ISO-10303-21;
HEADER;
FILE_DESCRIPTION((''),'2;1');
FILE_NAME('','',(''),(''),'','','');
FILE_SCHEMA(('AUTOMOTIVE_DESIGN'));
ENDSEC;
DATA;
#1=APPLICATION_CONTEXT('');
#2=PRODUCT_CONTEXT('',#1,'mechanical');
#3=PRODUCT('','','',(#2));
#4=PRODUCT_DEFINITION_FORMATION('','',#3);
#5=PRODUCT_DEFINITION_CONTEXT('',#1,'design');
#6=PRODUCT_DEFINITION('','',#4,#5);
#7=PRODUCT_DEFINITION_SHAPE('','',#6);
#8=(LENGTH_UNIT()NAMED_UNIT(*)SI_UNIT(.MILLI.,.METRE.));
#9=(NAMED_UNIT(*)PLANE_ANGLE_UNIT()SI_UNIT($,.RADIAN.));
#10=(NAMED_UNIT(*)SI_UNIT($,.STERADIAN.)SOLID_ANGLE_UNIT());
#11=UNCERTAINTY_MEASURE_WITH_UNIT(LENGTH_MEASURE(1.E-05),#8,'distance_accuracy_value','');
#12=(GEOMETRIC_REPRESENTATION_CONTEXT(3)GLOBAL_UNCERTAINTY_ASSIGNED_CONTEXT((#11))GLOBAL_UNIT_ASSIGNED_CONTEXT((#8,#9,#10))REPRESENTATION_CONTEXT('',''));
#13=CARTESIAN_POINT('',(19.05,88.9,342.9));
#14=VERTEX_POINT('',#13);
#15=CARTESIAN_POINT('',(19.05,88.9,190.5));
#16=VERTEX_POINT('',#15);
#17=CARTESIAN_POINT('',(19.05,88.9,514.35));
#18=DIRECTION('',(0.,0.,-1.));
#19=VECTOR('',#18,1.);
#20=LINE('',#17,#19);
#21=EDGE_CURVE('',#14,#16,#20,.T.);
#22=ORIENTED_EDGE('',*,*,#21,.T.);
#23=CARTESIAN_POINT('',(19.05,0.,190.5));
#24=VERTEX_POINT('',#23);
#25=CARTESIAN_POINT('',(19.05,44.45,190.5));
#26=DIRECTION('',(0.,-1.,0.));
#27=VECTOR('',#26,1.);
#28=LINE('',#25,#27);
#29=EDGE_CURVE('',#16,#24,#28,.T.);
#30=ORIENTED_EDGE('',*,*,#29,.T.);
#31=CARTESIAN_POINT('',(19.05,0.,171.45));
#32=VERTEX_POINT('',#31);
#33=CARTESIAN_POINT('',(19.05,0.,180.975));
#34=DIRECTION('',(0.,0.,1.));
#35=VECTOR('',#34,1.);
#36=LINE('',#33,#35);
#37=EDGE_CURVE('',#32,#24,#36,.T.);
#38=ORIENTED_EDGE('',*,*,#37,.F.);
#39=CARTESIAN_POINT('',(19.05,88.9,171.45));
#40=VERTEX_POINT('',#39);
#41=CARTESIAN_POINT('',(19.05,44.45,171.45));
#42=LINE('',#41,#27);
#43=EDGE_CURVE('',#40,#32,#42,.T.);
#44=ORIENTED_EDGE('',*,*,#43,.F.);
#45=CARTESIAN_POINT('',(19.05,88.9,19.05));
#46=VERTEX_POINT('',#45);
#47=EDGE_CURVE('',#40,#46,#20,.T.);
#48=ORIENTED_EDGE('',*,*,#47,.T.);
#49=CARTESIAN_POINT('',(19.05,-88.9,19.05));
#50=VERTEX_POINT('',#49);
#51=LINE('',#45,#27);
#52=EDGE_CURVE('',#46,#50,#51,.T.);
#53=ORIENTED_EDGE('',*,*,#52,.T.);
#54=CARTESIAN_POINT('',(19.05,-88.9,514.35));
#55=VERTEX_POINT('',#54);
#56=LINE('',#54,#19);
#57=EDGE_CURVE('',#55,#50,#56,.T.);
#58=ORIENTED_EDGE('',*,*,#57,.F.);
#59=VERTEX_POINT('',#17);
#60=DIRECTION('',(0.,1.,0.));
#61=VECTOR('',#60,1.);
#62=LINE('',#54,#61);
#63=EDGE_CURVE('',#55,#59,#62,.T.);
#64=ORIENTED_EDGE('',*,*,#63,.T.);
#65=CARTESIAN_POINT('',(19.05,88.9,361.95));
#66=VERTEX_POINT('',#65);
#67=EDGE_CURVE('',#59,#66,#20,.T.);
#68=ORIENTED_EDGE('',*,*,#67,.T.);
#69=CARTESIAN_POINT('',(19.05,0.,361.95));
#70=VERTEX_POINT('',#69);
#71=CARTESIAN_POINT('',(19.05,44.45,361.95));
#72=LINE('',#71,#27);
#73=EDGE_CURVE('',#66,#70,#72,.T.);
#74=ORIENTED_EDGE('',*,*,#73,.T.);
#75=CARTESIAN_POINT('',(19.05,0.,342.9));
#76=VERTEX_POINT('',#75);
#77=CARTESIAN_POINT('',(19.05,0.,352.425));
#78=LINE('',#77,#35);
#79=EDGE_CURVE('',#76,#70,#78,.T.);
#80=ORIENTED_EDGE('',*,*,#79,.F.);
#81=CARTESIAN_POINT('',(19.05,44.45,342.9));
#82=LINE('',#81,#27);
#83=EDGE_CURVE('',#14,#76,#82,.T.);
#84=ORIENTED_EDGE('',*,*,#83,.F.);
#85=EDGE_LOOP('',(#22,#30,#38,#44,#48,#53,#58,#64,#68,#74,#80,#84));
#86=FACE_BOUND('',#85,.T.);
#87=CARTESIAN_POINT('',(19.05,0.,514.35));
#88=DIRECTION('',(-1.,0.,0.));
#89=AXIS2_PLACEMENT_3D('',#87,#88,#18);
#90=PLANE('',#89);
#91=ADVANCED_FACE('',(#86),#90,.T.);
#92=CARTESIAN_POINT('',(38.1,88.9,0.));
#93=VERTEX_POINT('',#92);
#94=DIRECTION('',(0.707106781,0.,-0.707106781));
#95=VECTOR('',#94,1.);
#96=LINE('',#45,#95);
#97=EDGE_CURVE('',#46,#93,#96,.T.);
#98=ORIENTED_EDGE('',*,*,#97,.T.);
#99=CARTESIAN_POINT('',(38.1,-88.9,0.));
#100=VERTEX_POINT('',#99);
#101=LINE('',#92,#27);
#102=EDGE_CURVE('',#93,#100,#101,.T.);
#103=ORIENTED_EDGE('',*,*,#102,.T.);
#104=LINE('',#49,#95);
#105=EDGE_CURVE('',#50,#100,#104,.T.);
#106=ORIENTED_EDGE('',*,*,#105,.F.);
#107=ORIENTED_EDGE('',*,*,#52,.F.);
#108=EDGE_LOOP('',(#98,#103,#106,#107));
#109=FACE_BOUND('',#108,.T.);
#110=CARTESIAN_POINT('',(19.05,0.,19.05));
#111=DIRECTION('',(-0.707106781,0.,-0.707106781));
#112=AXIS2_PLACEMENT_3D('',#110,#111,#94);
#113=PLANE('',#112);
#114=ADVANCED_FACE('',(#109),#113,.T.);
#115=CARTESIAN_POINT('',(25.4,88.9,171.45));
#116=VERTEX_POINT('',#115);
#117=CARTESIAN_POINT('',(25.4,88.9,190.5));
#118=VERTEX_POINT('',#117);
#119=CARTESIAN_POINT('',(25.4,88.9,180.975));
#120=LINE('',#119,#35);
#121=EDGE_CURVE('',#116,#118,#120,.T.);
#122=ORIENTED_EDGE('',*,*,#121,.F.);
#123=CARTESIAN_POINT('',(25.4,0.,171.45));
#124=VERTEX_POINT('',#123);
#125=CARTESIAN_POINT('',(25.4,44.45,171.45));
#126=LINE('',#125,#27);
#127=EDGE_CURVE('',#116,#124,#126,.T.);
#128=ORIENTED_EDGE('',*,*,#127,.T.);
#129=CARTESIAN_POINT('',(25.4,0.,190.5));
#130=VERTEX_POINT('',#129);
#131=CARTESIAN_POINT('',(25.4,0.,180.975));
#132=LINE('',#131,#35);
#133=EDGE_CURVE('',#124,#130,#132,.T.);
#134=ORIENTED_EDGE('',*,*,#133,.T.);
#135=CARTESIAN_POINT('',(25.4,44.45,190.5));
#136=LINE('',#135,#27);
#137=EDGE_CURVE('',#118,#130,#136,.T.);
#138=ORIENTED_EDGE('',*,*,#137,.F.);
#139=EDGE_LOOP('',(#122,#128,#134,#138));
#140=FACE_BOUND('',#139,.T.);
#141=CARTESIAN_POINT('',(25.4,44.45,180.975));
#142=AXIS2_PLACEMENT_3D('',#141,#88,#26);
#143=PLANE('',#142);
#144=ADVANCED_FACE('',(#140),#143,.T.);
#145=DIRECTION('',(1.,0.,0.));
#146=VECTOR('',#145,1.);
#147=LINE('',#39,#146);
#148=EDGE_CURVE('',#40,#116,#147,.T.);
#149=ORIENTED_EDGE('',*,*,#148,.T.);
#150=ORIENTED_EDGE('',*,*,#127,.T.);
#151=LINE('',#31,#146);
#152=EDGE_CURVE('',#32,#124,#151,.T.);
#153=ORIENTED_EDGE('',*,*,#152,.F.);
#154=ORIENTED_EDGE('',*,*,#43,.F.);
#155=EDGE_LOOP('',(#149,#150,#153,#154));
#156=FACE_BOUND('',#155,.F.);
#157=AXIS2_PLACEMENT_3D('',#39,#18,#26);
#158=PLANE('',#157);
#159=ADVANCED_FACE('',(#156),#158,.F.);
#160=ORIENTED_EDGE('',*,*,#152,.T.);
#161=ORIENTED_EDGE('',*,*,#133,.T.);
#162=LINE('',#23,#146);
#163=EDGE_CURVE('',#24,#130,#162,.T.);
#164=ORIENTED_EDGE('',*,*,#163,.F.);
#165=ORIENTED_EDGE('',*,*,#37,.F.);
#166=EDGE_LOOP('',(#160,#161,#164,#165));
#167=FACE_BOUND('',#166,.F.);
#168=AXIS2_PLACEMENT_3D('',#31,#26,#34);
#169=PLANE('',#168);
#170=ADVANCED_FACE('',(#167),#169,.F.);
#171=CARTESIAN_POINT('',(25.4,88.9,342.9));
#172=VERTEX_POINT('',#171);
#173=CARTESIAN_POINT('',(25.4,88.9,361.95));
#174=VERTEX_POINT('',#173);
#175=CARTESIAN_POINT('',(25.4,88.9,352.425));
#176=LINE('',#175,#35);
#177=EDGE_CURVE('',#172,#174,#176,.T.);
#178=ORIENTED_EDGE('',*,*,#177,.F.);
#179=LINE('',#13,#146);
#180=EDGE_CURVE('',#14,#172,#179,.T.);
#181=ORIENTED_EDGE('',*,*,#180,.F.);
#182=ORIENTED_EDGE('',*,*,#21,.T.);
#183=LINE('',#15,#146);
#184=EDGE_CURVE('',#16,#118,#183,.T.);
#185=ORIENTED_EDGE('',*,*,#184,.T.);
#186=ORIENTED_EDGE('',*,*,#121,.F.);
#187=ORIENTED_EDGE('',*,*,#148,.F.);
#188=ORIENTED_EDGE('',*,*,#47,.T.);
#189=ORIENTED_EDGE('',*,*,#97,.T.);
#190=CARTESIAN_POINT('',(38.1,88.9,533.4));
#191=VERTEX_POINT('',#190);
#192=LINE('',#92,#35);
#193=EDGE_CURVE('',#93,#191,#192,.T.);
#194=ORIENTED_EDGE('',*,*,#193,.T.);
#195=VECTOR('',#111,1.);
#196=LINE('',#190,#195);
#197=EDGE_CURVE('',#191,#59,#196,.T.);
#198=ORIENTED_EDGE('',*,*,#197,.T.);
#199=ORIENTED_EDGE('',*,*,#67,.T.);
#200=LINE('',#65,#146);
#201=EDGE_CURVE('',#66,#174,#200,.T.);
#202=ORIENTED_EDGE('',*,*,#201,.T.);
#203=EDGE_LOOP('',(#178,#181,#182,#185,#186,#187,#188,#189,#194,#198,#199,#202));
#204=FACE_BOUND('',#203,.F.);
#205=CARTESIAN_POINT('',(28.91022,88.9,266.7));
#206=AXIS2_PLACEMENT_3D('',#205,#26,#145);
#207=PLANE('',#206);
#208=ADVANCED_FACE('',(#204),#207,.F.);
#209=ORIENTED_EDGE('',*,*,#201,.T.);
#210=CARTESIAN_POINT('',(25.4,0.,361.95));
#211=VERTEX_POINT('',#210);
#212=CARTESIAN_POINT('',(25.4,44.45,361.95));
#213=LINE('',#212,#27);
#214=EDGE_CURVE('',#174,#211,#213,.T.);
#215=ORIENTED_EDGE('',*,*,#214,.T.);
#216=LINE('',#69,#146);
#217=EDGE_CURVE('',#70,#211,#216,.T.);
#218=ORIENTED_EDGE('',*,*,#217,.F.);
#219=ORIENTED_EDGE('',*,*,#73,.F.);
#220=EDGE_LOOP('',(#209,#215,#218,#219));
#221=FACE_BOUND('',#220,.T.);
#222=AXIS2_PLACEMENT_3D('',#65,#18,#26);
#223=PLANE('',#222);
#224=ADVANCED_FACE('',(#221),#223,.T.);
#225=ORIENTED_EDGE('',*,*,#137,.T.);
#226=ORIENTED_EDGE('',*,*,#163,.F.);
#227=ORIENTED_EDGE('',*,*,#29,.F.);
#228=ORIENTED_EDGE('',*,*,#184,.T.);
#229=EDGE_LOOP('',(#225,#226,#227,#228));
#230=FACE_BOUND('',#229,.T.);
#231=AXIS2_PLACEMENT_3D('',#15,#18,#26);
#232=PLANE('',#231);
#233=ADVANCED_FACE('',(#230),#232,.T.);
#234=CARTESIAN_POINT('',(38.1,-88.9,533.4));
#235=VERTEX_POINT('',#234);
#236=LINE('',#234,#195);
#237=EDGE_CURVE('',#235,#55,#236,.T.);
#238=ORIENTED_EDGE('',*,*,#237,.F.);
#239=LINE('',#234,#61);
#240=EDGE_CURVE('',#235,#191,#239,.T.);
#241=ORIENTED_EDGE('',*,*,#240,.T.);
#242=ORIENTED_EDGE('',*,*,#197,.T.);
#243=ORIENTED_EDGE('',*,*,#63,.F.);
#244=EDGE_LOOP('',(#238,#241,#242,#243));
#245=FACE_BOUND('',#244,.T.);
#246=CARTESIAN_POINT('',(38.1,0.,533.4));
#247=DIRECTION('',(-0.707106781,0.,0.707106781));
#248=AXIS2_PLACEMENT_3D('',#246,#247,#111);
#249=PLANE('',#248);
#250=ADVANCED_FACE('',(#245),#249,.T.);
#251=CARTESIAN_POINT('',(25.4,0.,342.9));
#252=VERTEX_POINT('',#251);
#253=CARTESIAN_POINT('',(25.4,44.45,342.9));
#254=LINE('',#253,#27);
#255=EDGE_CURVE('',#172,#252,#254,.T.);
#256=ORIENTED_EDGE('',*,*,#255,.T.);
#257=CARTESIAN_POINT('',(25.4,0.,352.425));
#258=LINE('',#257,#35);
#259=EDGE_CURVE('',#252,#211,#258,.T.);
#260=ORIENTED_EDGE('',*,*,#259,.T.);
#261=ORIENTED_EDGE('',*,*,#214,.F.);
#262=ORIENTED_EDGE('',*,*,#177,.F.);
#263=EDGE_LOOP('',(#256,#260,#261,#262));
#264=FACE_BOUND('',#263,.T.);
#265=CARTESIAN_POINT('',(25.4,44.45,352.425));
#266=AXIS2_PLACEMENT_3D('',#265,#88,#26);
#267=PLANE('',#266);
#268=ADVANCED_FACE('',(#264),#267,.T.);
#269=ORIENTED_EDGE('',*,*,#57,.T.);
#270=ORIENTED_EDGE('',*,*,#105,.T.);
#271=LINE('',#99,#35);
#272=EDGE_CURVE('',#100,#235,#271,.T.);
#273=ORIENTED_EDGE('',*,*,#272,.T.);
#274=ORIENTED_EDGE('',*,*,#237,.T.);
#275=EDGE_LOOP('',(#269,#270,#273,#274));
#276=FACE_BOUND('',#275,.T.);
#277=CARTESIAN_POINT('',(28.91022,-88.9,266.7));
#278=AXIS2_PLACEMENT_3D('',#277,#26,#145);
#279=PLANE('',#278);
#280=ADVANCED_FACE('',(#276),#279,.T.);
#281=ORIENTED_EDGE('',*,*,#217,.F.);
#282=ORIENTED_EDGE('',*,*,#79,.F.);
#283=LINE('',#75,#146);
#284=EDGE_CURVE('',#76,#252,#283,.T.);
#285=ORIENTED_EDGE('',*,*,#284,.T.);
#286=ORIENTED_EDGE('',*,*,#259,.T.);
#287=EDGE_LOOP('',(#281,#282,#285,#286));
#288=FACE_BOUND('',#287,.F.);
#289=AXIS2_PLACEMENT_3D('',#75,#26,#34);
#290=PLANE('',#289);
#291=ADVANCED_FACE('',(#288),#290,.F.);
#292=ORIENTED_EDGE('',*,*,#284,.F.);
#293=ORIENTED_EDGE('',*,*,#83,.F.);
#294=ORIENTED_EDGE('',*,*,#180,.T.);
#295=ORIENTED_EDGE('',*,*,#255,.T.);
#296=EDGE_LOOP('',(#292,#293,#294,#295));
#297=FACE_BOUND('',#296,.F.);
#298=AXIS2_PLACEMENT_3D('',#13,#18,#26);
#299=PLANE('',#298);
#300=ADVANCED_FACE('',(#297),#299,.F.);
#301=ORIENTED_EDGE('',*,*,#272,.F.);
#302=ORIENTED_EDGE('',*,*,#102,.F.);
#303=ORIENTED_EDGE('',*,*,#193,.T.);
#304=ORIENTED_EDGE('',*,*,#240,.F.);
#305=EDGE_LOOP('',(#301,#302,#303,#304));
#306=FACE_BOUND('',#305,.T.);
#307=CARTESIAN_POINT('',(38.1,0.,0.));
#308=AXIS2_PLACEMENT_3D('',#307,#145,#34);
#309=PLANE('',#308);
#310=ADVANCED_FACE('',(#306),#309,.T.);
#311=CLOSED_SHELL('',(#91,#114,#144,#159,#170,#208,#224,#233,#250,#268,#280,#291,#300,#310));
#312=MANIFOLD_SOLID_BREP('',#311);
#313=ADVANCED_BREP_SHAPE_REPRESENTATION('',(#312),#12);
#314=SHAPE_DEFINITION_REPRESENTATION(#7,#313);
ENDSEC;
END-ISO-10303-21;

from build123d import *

# Parameters (mm, degrees)
F1_DEPTH = 88.9
F2_W     = 88.9
F2_H     = 19.05
F3_DEPTH = 6.35


with BuildPart() as f1:
    # F0 (on Front) → F1 (new body, symmetric)
    with BuildSketch(Plane.XZ):
        Polygon((19.05, 514.35), (19.05, 19.05), (38.1, 0), (38.1, 533.4), align=None)
    extrude(amount=F1_DEPTH, both=True)

    # F2 (on face) → F3 (cut)
    with BuildSketch(Plane(origin=(19.05, 0, 0), x_dir=(0, -1, 0), z_dir=(-1, 0, 0))):
        with Locations((-44.45, 180.975)):
            Rectangle(F2_W, F2_H)
        with Locations((-44.45, 352.425)):
            Rectangle(F2_W, F2_H)
    extrude(amount=-F3_DEPTH, mode=Mode.SUBTRACT)


solid = f1.part
